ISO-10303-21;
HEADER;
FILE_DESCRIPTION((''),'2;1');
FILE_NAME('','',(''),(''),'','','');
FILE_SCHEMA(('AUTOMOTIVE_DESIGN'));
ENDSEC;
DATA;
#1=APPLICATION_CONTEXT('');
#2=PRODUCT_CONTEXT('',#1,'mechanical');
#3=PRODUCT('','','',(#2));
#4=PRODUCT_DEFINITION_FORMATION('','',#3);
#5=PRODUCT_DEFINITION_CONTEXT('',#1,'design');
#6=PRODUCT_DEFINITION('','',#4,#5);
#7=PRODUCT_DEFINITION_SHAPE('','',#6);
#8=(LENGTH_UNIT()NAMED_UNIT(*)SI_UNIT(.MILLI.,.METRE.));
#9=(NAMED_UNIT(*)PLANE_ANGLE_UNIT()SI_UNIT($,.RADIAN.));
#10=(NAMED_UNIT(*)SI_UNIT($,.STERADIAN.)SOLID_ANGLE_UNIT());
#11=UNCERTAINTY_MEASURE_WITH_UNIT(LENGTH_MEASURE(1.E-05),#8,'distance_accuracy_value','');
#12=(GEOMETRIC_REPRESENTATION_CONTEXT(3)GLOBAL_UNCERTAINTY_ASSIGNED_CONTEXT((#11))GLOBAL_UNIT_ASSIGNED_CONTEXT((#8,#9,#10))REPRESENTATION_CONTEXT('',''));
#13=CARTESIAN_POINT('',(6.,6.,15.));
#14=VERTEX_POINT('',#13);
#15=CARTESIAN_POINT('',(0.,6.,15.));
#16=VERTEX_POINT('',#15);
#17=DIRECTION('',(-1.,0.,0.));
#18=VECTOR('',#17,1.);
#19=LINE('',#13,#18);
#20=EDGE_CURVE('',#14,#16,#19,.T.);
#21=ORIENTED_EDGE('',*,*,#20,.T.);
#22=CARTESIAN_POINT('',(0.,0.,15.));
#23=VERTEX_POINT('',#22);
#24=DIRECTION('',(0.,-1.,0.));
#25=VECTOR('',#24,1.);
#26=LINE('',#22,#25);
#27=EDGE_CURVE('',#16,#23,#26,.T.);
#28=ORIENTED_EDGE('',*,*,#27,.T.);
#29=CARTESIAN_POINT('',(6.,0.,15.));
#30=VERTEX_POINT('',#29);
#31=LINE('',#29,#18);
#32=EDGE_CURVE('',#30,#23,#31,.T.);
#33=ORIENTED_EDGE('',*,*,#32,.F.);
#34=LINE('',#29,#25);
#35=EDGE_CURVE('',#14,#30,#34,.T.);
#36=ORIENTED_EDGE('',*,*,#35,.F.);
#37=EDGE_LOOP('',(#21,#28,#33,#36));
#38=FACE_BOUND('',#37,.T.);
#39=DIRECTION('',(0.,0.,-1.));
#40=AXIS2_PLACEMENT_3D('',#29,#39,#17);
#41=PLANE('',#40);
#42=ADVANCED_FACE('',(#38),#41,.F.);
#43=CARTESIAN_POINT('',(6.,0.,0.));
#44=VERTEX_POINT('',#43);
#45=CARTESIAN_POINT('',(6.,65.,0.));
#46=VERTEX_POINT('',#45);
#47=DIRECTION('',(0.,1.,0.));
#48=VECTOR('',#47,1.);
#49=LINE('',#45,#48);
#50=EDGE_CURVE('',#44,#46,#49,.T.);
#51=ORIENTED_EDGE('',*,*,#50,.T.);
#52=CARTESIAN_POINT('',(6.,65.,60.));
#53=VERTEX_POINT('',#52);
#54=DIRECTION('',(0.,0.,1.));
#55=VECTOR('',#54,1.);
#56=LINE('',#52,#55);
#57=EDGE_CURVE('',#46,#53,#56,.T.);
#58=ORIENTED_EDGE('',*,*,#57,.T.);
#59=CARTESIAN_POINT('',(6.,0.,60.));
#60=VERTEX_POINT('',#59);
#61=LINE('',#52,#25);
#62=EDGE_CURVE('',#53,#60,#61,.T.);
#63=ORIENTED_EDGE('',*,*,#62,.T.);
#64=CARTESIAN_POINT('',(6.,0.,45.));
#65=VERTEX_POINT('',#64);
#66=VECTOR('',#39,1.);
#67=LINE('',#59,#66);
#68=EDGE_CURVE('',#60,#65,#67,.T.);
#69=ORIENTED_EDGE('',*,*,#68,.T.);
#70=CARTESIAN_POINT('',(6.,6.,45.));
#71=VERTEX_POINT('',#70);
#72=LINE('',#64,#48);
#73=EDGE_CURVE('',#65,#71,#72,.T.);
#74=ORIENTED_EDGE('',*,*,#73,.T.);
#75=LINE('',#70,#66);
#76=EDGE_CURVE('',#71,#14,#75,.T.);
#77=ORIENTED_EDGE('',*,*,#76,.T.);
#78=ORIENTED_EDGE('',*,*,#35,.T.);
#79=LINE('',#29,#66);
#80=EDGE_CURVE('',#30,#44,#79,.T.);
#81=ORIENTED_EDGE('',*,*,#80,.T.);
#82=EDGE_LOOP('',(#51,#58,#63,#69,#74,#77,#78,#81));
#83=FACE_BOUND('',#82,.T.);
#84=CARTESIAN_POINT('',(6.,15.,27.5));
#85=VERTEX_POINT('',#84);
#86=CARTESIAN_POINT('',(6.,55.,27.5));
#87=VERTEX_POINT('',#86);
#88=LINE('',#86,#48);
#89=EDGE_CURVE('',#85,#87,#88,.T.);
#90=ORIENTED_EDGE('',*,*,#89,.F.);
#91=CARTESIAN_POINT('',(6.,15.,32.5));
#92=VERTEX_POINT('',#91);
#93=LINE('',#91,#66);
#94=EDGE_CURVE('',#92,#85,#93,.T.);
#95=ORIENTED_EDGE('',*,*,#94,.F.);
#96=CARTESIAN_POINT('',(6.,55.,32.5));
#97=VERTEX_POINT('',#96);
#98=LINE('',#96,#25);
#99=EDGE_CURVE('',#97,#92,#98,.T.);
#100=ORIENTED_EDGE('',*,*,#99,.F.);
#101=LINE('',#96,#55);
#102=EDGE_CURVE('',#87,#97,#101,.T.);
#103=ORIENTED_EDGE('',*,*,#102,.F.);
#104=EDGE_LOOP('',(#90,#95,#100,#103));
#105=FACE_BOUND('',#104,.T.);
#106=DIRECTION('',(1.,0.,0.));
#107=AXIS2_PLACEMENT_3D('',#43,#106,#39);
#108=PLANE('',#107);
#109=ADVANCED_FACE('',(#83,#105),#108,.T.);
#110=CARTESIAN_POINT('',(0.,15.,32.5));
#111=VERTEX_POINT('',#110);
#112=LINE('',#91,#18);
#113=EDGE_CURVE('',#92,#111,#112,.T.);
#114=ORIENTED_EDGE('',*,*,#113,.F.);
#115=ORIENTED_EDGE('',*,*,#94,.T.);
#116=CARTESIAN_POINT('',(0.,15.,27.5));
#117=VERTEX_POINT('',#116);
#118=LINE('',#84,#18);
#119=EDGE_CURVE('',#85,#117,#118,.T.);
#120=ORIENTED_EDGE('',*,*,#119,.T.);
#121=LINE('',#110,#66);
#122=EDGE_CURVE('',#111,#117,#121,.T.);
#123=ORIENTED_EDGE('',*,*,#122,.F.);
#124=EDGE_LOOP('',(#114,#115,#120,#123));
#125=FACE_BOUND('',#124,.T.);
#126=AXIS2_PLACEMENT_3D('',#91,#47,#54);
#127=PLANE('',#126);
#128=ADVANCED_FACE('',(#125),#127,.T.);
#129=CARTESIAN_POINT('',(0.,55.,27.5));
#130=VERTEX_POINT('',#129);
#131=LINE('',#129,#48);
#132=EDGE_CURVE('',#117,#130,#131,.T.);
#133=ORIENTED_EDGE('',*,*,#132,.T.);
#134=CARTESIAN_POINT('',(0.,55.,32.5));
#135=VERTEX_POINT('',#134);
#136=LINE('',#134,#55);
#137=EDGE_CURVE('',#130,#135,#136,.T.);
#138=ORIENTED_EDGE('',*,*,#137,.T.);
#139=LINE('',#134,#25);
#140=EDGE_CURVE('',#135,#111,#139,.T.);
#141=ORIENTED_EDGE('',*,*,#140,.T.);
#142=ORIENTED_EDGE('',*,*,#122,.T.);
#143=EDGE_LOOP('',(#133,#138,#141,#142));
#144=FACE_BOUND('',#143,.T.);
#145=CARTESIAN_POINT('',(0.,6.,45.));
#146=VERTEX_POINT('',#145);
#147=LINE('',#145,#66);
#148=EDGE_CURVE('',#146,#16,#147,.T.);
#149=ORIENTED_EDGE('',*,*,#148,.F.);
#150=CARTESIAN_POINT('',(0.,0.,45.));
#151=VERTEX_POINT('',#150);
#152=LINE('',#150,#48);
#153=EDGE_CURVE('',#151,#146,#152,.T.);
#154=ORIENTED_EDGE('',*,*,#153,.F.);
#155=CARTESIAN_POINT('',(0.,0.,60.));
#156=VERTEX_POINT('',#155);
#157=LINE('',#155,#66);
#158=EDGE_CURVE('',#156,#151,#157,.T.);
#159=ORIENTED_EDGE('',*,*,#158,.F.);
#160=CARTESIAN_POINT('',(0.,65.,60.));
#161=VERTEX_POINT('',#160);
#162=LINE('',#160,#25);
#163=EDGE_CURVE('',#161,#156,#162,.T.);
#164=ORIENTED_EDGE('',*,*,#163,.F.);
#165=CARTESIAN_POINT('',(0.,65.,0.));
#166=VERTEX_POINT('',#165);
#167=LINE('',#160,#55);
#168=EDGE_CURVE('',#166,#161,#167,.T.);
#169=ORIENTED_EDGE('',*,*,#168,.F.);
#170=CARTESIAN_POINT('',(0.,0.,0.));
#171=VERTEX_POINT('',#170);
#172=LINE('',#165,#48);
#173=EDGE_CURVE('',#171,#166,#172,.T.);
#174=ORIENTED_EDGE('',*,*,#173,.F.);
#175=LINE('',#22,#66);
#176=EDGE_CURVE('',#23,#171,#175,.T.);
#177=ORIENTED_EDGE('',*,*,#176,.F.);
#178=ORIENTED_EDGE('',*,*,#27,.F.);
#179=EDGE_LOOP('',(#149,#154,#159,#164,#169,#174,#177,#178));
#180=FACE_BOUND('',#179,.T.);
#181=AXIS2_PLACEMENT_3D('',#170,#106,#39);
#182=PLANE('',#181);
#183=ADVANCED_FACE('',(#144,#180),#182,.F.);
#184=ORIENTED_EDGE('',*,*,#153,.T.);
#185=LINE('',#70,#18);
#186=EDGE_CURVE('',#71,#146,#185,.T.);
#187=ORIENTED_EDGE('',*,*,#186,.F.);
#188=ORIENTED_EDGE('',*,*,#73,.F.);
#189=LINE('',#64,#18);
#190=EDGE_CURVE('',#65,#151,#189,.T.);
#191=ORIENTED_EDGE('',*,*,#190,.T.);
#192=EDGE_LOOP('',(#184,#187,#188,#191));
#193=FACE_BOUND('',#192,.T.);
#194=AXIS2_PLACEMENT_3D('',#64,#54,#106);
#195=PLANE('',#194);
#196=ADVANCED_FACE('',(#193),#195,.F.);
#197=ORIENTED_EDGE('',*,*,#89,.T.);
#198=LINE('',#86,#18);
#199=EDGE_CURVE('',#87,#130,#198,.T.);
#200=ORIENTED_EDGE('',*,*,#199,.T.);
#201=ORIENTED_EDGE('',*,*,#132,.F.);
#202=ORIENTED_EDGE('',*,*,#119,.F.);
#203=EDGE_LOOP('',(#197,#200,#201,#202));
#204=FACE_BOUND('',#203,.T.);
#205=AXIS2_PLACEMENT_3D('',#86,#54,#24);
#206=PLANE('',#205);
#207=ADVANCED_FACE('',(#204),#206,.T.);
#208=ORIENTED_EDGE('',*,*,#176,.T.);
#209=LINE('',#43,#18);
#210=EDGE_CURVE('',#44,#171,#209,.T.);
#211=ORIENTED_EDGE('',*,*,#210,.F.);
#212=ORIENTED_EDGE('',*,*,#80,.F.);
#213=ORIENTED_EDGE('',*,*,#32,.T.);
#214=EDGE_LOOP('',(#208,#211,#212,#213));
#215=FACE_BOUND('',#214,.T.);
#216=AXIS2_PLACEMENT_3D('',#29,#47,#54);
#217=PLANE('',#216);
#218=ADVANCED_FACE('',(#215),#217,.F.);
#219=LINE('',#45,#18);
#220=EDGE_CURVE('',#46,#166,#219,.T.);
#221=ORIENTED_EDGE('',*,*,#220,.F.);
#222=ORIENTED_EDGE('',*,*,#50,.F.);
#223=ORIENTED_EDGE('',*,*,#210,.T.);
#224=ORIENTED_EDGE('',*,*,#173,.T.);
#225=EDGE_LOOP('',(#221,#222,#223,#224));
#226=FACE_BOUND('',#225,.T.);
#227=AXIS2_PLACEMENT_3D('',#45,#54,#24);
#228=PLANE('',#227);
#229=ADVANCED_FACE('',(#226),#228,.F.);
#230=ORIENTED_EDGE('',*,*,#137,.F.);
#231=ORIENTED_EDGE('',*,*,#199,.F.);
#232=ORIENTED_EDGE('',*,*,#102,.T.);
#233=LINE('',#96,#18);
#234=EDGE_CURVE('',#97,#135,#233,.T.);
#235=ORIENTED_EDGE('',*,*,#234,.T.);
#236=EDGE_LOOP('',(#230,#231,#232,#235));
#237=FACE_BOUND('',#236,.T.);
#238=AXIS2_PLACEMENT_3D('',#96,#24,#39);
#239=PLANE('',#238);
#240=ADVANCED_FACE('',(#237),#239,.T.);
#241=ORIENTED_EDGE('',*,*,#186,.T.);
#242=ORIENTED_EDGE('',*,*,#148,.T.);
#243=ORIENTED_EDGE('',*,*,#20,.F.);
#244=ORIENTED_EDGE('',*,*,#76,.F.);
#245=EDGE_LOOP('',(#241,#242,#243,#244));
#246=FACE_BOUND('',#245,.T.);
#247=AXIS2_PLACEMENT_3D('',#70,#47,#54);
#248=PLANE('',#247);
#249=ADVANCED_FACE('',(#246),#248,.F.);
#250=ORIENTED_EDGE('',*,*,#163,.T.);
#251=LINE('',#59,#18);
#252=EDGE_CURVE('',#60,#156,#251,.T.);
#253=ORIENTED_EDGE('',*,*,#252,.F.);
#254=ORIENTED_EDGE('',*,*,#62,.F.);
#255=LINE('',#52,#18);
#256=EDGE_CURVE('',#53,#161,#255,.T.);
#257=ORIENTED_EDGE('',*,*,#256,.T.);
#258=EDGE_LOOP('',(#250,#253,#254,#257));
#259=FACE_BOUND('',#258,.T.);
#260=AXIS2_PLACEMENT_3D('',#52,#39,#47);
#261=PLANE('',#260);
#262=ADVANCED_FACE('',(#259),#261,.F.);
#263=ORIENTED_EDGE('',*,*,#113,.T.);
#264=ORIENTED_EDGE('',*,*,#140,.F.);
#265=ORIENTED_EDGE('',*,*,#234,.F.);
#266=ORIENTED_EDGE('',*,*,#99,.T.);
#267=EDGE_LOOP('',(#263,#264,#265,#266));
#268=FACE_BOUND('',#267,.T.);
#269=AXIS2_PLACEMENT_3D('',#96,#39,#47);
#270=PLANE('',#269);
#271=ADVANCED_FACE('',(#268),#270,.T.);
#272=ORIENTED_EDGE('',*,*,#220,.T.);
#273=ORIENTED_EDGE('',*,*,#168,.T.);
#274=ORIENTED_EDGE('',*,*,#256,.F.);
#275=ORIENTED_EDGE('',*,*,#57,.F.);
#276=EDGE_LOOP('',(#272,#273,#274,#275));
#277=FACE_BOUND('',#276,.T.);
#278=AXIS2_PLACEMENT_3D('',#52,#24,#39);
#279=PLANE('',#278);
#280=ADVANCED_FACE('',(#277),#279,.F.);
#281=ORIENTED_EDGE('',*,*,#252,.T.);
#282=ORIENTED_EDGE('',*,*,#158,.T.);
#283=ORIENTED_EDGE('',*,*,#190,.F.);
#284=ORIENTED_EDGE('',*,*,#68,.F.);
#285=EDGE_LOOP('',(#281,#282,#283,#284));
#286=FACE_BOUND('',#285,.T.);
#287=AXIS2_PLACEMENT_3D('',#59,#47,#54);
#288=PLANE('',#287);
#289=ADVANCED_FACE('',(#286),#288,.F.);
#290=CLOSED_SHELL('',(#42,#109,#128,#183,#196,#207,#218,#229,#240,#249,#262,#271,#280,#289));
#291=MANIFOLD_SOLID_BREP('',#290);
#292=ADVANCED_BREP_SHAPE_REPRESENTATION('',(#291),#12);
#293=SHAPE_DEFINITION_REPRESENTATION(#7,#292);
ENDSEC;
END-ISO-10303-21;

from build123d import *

# Parameters (mm, degrees)
SKETCH1_W           = 5
SKETCH1_H           = 40
BOSS_EXTRUDE1_DEPTH = 6


with BuildPart() as part:
    # Sketch1 → Boss-Extrude1 (new body)
    with BuildSketch(Plane(origin=(0, 0, 0), x_dir=(0, 0, -1), z_dir=(1, 0, 0))):
        Polygon((-15, 0), (0, 0), (0, 65), (-60, 65), (-60, 0), (-45, 0), (-45, 6), (-15, 6), align=None)
        with Locations((-30, 35)):
            Rectangle(SKETCH1_W, SKETCH1_H, mode=Mode.SUBTRACT)
    extrude(amount=BOSS_EXTRUDE1_DEPTH)


solid = part.part
